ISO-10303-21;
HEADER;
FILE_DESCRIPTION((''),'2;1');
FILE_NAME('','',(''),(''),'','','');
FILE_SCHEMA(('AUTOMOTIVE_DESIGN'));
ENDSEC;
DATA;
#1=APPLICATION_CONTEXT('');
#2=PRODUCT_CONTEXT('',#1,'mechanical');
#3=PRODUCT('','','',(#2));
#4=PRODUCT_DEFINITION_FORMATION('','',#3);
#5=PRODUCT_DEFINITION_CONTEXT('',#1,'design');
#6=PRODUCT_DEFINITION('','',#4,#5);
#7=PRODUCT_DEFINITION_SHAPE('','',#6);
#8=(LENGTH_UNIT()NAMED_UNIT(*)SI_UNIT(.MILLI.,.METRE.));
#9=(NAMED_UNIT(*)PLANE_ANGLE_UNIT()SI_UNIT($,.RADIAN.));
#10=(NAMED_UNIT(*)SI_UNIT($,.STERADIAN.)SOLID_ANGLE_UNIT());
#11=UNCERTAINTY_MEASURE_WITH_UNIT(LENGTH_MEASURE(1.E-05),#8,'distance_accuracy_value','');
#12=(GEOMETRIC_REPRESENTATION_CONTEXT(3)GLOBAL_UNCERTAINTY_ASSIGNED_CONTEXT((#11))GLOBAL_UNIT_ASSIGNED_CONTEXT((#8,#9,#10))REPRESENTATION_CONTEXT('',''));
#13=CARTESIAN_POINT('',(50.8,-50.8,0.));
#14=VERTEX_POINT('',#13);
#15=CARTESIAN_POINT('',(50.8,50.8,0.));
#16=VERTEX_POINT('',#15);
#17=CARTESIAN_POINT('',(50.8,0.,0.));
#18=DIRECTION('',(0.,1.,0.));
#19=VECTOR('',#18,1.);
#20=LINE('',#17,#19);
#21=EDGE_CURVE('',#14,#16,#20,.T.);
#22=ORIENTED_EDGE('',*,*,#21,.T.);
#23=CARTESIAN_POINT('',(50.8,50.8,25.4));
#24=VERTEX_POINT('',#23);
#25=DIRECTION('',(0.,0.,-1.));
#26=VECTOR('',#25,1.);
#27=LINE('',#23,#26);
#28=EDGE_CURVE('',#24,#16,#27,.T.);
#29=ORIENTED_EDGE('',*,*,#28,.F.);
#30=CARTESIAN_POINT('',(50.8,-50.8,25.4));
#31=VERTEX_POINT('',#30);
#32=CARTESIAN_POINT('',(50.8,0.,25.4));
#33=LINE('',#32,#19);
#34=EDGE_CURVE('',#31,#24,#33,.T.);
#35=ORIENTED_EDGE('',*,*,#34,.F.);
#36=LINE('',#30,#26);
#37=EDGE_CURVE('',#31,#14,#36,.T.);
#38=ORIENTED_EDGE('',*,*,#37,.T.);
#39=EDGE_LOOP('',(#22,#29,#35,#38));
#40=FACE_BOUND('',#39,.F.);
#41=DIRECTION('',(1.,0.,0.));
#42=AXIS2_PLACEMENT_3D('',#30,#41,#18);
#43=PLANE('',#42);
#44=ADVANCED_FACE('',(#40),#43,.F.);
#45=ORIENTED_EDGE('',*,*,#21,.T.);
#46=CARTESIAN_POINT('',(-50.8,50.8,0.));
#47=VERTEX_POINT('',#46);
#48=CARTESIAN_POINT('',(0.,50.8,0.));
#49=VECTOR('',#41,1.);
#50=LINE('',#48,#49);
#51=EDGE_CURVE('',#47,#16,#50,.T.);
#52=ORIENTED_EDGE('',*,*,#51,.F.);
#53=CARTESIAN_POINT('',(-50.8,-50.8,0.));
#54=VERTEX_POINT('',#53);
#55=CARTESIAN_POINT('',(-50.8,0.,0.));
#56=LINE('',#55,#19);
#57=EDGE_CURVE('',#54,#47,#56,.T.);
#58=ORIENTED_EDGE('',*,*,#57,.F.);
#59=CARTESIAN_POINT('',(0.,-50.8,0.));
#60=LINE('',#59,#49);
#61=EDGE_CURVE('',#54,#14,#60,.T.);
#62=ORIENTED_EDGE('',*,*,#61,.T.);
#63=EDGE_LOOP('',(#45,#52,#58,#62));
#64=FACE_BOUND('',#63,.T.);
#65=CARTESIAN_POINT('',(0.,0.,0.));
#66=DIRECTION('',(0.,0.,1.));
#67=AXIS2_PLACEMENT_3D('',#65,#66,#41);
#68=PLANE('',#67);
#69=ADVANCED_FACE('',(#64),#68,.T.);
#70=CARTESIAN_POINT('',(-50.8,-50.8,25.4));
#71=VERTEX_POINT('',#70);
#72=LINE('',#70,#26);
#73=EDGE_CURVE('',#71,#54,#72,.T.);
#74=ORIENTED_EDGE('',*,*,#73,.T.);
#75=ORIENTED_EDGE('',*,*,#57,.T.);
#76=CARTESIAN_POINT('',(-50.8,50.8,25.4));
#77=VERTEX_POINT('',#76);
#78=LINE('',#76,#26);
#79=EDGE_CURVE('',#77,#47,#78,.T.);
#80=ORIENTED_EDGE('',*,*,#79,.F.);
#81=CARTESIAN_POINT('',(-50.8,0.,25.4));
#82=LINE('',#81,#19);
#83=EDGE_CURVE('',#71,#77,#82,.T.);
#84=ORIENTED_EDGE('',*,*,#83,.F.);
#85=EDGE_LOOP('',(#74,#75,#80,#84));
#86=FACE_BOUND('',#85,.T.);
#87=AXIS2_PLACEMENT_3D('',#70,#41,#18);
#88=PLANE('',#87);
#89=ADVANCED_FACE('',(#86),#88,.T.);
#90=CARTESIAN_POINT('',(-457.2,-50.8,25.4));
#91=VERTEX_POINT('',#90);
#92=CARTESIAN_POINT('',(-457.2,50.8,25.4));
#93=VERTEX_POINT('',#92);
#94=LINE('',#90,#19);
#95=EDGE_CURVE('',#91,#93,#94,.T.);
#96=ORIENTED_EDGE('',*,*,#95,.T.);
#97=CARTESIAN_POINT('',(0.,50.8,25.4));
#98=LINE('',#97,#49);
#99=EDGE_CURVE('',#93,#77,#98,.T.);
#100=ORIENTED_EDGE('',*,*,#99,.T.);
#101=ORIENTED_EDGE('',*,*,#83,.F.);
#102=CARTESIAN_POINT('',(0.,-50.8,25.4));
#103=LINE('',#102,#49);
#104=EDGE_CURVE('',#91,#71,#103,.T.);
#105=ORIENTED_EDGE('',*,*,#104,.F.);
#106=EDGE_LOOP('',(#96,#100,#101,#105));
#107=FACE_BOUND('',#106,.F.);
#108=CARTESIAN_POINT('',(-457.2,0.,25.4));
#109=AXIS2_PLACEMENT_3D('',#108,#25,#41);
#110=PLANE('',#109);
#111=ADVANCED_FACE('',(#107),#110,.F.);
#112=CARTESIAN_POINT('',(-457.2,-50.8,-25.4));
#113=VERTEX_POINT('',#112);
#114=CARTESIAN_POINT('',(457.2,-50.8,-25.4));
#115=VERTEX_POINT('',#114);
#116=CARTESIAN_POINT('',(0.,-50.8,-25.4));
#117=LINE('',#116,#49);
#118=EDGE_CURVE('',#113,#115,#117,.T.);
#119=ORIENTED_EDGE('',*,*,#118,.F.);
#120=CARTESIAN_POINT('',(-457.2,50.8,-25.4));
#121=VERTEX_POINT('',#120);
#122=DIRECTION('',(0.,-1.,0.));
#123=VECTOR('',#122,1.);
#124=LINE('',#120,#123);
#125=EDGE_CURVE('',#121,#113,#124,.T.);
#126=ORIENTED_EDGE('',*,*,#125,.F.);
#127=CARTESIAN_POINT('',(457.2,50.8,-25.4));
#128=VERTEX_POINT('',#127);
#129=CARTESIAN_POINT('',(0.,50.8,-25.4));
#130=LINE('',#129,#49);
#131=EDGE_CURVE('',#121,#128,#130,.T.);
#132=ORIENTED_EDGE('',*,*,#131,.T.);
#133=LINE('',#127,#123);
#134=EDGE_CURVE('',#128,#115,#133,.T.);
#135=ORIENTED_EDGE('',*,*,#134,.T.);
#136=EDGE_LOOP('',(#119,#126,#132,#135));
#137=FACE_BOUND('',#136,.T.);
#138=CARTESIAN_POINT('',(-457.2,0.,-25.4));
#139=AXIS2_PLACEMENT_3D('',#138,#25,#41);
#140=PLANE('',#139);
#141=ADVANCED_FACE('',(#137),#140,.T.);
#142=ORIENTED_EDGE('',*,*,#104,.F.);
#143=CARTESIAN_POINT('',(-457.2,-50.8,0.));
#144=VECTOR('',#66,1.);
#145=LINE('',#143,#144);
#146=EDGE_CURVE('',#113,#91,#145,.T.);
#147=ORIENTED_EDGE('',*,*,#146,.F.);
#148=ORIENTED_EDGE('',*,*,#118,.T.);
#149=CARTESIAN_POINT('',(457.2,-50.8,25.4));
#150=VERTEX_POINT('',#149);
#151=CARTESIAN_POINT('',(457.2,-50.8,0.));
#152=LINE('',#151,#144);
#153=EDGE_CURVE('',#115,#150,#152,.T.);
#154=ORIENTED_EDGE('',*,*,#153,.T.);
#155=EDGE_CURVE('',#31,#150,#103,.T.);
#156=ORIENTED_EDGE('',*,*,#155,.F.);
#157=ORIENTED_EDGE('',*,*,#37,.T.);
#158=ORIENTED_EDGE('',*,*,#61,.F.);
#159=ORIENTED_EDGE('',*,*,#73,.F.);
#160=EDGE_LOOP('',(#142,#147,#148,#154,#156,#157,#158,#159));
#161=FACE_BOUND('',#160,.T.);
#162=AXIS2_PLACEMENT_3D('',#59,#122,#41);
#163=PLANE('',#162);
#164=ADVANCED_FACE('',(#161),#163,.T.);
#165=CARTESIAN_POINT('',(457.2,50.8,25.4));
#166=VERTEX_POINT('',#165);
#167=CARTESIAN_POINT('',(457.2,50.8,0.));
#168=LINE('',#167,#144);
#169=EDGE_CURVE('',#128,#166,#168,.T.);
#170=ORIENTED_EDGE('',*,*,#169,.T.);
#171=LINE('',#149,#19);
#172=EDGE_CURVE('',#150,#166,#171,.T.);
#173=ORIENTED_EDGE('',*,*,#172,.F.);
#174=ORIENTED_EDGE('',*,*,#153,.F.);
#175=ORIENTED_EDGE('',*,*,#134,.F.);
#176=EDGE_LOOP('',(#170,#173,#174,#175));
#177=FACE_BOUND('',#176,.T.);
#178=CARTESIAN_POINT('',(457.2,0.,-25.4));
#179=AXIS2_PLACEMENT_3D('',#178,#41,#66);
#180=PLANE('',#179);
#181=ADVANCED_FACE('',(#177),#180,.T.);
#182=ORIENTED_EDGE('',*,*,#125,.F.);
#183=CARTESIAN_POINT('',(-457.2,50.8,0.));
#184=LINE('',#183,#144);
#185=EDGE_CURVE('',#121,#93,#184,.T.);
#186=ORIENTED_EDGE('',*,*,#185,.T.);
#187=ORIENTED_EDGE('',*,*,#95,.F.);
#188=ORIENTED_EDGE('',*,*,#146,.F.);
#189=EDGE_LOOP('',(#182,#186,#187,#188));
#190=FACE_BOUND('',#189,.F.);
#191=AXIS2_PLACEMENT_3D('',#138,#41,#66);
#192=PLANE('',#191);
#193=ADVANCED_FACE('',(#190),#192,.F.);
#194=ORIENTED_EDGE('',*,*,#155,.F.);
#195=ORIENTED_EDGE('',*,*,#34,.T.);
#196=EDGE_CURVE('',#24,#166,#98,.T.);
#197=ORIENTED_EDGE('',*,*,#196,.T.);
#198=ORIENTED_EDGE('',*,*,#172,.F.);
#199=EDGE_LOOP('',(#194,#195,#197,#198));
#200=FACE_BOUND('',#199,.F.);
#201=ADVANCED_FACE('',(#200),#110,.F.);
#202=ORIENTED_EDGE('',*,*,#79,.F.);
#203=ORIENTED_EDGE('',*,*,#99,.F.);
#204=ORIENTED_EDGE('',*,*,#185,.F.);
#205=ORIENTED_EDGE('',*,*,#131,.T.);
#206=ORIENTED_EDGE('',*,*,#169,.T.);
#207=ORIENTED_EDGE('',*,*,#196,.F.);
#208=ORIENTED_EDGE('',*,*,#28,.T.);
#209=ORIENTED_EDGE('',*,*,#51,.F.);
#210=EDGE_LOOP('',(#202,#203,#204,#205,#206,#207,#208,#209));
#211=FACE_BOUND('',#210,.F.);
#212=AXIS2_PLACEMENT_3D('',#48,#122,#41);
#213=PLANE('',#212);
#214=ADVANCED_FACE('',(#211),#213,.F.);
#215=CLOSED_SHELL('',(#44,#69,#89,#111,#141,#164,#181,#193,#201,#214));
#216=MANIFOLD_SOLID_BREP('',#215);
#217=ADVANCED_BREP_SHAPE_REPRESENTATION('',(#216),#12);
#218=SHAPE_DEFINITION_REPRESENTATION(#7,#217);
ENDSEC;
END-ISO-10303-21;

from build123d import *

# Parameters (mm, degrees)
F0_W     = 914.4
F0_H     = 50.8
F1_DEPTH = 50.8
F2_W     = 101.6
F2_H     = 101.6
F3_DEPTH = 25.4


with BuildPart() as f1:
    # F0 (on Front) → F1 (new body, symmetric)
    with BuildSketch(Plane.XZ):
        Rectangle(F0_W, F0_H)
    extrude(amount=F1_DEPTH, both=True)

    # F2 (on face) → F3 (cut)
    with BuildSketch(Plane.XY.offset(25.4)):
        Rectangle(F2_W, F2_H)
    extrude(amount=-F3_DEPTH, mode=Mode.SUBTRACT)


solid = f1.part
